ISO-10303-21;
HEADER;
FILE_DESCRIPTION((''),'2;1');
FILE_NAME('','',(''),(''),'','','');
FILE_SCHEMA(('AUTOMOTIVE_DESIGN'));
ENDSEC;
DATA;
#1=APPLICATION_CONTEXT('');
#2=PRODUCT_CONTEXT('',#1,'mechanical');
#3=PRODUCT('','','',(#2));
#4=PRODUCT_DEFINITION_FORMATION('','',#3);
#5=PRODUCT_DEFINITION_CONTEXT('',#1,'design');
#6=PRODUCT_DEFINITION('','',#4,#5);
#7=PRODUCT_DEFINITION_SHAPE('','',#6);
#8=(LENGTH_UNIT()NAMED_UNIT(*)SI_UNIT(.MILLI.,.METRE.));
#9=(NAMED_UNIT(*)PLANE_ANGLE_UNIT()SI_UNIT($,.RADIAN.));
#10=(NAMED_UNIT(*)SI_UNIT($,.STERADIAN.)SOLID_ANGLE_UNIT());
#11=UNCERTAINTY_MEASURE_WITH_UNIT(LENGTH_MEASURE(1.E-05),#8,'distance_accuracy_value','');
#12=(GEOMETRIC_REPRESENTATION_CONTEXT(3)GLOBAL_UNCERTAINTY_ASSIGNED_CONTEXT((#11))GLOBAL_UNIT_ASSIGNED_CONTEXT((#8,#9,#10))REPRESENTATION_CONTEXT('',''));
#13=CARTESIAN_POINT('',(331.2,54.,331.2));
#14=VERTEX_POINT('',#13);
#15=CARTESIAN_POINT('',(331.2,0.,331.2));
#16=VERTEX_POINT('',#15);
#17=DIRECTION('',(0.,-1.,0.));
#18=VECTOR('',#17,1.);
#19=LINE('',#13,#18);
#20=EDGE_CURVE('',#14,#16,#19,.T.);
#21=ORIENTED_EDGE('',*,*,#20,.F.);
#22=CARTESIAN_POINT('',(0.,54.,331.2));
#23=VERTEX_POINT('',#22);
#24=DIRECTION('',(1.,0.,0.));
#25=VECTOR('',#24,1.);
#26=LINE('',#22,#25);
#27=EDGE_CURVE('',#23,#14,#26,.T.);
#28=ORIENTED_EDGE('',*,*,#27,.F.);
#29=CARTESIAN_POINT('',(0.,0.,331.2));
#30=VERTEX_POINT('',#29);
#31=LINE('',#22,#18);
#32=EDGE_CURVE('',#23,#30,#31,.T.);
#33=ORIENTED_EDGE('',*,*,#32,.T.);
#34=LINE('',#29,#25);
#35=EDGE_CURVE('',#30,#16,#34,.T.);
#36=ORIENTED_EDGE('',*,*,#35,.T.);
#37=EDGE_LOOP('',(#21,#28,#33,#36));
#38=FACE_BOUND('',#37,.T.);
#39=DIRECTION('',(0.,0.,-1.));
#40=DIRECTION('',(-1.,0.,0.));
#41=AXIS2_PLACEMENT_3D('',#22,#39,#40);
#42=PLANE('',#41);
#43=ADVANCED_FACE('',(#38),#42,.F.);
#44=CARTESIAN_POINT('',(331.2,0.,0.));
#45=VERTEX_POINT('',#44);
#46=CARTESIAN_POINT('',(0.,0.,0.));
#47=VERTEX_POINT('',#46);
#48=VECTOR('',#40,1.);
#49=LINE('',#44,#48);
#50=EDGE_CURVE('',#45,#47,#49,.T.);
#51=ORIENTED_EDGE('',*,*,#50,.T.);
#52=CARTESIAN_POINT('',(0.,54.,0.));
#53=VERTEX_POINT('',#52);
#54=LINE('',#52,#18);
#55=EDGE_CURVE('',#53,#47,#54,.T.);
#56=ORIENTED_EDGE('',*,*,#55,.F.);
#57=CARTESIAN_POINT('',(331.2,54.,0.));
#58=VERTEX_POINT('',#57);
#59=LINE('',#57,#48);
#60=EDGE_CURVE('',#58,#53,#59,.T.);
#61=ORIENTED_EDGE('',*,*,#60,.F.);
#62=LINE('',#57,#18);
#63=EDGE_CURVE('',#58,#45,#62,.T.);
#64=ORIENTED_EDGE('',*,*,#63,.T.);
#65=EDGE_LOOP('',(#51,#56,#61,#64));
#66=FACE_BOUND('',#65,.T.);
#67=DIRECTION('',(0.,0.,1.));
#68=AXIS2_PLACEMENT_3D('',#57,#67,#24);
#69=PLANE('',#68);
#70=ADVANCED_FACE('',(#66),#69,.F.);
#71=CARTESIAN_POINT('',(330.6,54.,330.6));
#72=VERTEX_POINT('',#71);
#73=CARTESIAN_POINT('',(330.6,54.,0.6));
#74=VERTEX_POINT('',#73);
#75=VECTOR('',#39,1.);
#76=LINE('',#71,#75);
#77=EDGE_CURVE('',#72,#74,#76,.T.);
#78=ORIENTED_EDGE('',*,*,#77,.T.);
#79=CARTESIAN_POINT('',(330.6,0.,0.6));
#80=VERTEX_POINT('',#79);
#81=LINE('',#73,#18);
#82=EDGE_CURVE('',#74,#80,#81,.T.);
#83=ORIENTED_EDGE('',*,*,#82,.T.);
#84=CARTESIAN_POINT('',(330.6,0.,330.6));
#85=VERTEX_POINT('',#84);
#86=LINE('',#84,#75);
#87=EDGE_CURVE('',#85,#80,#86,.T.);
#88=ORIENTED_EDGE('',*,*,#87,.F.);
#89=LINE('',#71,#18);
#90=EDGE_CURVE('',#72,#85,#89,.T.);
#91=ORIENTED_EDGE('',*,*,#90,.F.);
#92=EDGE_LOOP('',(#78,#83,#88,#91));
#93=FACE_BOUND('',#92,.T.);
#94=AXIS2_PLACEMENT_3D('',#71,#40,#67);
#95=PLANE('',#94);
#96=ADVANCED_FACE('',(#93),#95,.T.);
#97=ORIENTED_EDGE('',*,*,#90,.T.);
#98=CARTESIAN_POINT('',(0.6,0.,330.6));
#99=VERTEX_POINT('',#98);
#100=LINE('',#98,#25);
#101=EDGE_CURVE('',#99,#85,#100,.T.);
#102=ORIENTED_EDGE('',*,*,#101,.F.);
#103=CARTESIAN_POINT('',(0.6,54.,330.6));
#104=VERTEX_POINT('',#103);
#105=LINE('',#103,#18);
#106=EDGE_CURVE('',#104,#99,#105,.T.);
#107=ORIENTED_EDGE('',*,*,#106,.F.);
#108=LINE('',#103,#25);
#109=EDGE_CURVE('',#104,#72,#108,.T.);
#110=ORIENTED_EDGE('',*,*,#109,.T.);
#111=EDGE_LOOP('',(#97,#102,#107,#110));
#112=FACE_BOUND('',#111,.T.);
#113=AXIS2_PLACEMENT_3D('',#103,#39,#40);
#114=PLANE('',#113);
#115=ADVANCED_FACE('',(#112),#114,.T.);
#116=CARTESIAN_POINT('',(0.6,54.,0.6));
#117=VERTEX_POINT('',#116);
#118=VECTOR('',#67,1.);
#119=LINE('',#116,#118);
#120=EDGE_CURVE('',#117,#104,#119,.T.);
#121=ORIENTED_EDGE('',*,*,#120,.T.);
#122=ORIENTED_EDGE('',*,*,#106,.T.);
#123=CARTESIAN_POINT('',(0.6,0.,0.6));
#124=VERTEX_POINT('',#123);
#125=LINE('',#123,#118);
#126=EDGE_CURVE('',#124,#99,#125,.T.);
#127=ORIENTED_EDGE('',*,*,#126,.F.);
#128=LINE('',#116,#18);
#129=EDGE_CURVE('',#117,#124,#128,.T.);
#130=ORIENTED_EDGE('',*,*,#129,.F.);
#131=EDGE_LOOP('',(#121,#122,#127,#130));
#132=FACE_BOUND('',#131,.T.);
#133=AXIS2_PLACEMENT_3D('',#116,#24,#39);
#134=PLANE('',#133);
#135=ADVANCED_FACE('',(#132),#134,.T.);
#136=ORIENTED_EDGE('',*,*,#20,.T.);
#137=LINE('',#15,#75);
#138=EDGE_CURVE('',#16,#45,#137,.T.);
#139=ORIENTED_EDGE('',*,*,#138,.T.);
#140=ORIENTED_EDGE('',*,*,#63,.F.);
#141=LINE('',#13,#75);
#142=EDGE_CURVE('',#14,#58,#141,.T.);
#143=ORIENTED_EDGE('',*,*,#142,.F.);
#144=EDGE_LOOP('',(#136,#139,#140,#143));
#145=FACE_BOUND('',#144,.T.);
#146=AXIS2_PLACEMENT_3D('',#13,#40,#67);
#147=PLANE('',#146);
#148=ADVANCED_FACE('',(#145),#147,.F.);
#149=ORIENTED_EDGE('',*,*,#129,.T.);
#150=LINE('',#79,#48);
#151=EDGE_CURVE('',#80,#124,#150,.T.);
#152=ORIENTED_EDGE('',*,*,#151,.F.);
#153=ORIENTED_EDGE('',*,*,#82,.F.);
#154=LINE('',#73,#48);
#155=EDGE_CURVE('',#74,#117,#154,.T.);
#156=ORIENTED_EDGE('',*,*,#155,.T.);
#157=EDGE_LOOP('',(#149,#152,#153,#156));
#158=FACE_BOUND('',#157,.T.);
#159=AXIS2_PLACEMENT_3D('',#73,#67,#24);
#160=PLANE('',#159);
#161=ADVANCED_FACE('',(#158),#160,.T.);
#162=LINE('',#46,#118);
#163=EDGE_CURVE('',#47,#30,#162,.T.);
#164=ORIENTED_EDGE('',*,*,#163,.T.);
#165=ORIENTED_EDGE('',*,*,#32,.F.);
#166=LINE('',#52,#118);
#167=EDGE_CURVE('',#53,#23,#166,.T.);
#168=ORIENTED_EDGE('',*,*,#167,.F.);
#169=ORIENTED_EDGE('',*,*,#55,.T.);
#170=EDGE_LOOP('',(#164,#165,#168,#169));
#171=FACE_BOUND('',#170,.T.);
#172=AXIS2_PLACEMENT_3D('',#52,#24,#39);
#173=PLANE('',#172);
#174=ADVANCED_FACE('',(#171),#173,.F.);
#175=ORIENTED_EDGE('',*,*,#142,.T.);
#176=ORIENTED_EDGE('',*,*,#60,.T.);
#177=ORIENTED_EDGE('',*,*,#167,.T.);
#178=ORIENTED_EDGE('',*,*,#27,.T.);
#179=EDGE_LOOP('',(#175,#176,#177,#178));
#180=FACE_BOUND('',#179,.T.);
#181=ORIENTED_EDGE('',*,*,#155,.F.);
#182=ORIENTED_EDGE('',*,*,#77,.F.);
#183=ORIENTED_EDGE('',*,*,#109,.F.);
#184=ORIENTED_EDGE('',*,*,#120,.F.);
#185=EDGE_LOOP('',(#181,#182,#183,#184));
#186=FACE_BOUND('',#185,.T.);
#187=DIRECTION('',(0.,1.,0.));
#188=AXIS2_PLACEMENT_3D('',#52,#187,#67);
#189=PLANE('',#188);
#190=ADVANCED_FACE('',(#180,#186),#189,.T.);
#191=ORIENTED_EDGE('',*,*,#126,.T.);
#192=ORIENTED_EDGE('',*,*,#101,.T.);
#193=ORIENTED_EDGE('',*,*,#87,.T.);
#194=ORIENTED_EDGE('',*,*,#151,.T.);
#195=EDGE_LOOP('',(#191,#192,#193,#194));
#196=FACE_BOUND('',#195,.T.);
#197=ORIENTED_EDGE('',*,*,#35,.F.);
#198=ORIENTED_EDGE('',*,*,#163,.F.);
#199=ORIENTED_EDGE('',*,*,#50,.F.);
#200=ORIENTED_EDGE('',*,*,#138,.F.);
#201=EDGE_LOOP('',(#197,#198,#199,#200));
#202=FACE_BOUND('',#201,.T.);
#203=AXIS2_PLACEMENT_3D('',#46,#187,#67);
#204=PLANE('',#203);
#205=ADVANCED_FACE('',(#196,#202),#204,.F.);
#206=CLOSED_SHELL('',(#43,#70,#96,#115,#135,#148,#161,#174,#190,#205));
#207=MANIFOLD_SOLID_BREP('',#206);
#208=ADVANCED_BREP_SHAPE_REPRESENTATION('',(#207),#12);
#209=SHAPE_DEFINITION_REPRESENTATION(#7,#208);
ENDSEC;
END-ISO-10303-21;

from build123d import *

# Parameters (mm, degrees)
SKETCH_1_W      = 331.2
SKETCH_1_H      = 331.2
SKETCH_1_W_2    = 330
SKETCH_1_H_2    = 330
EXTRUDE_1_DEPTH = 54


with BuildPart() as part:
    # 草图1 → 凸台-拉伸1 (new body)
    with BuildSketch(Plane(origin=(0, 0, 0), x_dir=(1, 0, 0), z_dir=(0, 1, 0))):
        with Locations((165.6, -165.6)):
            Rectangle(SKETCH_1_W, SKETCH_1_H)
        with Locations((165.6, -165.6)):
            Rectangle(SKETCH_1_W_2, SKETCH_1_H_2, mode=Mode.SUBTRACT)
    extrude(amount=EXTRUDE_1_DEPTH)


solid = part.part
